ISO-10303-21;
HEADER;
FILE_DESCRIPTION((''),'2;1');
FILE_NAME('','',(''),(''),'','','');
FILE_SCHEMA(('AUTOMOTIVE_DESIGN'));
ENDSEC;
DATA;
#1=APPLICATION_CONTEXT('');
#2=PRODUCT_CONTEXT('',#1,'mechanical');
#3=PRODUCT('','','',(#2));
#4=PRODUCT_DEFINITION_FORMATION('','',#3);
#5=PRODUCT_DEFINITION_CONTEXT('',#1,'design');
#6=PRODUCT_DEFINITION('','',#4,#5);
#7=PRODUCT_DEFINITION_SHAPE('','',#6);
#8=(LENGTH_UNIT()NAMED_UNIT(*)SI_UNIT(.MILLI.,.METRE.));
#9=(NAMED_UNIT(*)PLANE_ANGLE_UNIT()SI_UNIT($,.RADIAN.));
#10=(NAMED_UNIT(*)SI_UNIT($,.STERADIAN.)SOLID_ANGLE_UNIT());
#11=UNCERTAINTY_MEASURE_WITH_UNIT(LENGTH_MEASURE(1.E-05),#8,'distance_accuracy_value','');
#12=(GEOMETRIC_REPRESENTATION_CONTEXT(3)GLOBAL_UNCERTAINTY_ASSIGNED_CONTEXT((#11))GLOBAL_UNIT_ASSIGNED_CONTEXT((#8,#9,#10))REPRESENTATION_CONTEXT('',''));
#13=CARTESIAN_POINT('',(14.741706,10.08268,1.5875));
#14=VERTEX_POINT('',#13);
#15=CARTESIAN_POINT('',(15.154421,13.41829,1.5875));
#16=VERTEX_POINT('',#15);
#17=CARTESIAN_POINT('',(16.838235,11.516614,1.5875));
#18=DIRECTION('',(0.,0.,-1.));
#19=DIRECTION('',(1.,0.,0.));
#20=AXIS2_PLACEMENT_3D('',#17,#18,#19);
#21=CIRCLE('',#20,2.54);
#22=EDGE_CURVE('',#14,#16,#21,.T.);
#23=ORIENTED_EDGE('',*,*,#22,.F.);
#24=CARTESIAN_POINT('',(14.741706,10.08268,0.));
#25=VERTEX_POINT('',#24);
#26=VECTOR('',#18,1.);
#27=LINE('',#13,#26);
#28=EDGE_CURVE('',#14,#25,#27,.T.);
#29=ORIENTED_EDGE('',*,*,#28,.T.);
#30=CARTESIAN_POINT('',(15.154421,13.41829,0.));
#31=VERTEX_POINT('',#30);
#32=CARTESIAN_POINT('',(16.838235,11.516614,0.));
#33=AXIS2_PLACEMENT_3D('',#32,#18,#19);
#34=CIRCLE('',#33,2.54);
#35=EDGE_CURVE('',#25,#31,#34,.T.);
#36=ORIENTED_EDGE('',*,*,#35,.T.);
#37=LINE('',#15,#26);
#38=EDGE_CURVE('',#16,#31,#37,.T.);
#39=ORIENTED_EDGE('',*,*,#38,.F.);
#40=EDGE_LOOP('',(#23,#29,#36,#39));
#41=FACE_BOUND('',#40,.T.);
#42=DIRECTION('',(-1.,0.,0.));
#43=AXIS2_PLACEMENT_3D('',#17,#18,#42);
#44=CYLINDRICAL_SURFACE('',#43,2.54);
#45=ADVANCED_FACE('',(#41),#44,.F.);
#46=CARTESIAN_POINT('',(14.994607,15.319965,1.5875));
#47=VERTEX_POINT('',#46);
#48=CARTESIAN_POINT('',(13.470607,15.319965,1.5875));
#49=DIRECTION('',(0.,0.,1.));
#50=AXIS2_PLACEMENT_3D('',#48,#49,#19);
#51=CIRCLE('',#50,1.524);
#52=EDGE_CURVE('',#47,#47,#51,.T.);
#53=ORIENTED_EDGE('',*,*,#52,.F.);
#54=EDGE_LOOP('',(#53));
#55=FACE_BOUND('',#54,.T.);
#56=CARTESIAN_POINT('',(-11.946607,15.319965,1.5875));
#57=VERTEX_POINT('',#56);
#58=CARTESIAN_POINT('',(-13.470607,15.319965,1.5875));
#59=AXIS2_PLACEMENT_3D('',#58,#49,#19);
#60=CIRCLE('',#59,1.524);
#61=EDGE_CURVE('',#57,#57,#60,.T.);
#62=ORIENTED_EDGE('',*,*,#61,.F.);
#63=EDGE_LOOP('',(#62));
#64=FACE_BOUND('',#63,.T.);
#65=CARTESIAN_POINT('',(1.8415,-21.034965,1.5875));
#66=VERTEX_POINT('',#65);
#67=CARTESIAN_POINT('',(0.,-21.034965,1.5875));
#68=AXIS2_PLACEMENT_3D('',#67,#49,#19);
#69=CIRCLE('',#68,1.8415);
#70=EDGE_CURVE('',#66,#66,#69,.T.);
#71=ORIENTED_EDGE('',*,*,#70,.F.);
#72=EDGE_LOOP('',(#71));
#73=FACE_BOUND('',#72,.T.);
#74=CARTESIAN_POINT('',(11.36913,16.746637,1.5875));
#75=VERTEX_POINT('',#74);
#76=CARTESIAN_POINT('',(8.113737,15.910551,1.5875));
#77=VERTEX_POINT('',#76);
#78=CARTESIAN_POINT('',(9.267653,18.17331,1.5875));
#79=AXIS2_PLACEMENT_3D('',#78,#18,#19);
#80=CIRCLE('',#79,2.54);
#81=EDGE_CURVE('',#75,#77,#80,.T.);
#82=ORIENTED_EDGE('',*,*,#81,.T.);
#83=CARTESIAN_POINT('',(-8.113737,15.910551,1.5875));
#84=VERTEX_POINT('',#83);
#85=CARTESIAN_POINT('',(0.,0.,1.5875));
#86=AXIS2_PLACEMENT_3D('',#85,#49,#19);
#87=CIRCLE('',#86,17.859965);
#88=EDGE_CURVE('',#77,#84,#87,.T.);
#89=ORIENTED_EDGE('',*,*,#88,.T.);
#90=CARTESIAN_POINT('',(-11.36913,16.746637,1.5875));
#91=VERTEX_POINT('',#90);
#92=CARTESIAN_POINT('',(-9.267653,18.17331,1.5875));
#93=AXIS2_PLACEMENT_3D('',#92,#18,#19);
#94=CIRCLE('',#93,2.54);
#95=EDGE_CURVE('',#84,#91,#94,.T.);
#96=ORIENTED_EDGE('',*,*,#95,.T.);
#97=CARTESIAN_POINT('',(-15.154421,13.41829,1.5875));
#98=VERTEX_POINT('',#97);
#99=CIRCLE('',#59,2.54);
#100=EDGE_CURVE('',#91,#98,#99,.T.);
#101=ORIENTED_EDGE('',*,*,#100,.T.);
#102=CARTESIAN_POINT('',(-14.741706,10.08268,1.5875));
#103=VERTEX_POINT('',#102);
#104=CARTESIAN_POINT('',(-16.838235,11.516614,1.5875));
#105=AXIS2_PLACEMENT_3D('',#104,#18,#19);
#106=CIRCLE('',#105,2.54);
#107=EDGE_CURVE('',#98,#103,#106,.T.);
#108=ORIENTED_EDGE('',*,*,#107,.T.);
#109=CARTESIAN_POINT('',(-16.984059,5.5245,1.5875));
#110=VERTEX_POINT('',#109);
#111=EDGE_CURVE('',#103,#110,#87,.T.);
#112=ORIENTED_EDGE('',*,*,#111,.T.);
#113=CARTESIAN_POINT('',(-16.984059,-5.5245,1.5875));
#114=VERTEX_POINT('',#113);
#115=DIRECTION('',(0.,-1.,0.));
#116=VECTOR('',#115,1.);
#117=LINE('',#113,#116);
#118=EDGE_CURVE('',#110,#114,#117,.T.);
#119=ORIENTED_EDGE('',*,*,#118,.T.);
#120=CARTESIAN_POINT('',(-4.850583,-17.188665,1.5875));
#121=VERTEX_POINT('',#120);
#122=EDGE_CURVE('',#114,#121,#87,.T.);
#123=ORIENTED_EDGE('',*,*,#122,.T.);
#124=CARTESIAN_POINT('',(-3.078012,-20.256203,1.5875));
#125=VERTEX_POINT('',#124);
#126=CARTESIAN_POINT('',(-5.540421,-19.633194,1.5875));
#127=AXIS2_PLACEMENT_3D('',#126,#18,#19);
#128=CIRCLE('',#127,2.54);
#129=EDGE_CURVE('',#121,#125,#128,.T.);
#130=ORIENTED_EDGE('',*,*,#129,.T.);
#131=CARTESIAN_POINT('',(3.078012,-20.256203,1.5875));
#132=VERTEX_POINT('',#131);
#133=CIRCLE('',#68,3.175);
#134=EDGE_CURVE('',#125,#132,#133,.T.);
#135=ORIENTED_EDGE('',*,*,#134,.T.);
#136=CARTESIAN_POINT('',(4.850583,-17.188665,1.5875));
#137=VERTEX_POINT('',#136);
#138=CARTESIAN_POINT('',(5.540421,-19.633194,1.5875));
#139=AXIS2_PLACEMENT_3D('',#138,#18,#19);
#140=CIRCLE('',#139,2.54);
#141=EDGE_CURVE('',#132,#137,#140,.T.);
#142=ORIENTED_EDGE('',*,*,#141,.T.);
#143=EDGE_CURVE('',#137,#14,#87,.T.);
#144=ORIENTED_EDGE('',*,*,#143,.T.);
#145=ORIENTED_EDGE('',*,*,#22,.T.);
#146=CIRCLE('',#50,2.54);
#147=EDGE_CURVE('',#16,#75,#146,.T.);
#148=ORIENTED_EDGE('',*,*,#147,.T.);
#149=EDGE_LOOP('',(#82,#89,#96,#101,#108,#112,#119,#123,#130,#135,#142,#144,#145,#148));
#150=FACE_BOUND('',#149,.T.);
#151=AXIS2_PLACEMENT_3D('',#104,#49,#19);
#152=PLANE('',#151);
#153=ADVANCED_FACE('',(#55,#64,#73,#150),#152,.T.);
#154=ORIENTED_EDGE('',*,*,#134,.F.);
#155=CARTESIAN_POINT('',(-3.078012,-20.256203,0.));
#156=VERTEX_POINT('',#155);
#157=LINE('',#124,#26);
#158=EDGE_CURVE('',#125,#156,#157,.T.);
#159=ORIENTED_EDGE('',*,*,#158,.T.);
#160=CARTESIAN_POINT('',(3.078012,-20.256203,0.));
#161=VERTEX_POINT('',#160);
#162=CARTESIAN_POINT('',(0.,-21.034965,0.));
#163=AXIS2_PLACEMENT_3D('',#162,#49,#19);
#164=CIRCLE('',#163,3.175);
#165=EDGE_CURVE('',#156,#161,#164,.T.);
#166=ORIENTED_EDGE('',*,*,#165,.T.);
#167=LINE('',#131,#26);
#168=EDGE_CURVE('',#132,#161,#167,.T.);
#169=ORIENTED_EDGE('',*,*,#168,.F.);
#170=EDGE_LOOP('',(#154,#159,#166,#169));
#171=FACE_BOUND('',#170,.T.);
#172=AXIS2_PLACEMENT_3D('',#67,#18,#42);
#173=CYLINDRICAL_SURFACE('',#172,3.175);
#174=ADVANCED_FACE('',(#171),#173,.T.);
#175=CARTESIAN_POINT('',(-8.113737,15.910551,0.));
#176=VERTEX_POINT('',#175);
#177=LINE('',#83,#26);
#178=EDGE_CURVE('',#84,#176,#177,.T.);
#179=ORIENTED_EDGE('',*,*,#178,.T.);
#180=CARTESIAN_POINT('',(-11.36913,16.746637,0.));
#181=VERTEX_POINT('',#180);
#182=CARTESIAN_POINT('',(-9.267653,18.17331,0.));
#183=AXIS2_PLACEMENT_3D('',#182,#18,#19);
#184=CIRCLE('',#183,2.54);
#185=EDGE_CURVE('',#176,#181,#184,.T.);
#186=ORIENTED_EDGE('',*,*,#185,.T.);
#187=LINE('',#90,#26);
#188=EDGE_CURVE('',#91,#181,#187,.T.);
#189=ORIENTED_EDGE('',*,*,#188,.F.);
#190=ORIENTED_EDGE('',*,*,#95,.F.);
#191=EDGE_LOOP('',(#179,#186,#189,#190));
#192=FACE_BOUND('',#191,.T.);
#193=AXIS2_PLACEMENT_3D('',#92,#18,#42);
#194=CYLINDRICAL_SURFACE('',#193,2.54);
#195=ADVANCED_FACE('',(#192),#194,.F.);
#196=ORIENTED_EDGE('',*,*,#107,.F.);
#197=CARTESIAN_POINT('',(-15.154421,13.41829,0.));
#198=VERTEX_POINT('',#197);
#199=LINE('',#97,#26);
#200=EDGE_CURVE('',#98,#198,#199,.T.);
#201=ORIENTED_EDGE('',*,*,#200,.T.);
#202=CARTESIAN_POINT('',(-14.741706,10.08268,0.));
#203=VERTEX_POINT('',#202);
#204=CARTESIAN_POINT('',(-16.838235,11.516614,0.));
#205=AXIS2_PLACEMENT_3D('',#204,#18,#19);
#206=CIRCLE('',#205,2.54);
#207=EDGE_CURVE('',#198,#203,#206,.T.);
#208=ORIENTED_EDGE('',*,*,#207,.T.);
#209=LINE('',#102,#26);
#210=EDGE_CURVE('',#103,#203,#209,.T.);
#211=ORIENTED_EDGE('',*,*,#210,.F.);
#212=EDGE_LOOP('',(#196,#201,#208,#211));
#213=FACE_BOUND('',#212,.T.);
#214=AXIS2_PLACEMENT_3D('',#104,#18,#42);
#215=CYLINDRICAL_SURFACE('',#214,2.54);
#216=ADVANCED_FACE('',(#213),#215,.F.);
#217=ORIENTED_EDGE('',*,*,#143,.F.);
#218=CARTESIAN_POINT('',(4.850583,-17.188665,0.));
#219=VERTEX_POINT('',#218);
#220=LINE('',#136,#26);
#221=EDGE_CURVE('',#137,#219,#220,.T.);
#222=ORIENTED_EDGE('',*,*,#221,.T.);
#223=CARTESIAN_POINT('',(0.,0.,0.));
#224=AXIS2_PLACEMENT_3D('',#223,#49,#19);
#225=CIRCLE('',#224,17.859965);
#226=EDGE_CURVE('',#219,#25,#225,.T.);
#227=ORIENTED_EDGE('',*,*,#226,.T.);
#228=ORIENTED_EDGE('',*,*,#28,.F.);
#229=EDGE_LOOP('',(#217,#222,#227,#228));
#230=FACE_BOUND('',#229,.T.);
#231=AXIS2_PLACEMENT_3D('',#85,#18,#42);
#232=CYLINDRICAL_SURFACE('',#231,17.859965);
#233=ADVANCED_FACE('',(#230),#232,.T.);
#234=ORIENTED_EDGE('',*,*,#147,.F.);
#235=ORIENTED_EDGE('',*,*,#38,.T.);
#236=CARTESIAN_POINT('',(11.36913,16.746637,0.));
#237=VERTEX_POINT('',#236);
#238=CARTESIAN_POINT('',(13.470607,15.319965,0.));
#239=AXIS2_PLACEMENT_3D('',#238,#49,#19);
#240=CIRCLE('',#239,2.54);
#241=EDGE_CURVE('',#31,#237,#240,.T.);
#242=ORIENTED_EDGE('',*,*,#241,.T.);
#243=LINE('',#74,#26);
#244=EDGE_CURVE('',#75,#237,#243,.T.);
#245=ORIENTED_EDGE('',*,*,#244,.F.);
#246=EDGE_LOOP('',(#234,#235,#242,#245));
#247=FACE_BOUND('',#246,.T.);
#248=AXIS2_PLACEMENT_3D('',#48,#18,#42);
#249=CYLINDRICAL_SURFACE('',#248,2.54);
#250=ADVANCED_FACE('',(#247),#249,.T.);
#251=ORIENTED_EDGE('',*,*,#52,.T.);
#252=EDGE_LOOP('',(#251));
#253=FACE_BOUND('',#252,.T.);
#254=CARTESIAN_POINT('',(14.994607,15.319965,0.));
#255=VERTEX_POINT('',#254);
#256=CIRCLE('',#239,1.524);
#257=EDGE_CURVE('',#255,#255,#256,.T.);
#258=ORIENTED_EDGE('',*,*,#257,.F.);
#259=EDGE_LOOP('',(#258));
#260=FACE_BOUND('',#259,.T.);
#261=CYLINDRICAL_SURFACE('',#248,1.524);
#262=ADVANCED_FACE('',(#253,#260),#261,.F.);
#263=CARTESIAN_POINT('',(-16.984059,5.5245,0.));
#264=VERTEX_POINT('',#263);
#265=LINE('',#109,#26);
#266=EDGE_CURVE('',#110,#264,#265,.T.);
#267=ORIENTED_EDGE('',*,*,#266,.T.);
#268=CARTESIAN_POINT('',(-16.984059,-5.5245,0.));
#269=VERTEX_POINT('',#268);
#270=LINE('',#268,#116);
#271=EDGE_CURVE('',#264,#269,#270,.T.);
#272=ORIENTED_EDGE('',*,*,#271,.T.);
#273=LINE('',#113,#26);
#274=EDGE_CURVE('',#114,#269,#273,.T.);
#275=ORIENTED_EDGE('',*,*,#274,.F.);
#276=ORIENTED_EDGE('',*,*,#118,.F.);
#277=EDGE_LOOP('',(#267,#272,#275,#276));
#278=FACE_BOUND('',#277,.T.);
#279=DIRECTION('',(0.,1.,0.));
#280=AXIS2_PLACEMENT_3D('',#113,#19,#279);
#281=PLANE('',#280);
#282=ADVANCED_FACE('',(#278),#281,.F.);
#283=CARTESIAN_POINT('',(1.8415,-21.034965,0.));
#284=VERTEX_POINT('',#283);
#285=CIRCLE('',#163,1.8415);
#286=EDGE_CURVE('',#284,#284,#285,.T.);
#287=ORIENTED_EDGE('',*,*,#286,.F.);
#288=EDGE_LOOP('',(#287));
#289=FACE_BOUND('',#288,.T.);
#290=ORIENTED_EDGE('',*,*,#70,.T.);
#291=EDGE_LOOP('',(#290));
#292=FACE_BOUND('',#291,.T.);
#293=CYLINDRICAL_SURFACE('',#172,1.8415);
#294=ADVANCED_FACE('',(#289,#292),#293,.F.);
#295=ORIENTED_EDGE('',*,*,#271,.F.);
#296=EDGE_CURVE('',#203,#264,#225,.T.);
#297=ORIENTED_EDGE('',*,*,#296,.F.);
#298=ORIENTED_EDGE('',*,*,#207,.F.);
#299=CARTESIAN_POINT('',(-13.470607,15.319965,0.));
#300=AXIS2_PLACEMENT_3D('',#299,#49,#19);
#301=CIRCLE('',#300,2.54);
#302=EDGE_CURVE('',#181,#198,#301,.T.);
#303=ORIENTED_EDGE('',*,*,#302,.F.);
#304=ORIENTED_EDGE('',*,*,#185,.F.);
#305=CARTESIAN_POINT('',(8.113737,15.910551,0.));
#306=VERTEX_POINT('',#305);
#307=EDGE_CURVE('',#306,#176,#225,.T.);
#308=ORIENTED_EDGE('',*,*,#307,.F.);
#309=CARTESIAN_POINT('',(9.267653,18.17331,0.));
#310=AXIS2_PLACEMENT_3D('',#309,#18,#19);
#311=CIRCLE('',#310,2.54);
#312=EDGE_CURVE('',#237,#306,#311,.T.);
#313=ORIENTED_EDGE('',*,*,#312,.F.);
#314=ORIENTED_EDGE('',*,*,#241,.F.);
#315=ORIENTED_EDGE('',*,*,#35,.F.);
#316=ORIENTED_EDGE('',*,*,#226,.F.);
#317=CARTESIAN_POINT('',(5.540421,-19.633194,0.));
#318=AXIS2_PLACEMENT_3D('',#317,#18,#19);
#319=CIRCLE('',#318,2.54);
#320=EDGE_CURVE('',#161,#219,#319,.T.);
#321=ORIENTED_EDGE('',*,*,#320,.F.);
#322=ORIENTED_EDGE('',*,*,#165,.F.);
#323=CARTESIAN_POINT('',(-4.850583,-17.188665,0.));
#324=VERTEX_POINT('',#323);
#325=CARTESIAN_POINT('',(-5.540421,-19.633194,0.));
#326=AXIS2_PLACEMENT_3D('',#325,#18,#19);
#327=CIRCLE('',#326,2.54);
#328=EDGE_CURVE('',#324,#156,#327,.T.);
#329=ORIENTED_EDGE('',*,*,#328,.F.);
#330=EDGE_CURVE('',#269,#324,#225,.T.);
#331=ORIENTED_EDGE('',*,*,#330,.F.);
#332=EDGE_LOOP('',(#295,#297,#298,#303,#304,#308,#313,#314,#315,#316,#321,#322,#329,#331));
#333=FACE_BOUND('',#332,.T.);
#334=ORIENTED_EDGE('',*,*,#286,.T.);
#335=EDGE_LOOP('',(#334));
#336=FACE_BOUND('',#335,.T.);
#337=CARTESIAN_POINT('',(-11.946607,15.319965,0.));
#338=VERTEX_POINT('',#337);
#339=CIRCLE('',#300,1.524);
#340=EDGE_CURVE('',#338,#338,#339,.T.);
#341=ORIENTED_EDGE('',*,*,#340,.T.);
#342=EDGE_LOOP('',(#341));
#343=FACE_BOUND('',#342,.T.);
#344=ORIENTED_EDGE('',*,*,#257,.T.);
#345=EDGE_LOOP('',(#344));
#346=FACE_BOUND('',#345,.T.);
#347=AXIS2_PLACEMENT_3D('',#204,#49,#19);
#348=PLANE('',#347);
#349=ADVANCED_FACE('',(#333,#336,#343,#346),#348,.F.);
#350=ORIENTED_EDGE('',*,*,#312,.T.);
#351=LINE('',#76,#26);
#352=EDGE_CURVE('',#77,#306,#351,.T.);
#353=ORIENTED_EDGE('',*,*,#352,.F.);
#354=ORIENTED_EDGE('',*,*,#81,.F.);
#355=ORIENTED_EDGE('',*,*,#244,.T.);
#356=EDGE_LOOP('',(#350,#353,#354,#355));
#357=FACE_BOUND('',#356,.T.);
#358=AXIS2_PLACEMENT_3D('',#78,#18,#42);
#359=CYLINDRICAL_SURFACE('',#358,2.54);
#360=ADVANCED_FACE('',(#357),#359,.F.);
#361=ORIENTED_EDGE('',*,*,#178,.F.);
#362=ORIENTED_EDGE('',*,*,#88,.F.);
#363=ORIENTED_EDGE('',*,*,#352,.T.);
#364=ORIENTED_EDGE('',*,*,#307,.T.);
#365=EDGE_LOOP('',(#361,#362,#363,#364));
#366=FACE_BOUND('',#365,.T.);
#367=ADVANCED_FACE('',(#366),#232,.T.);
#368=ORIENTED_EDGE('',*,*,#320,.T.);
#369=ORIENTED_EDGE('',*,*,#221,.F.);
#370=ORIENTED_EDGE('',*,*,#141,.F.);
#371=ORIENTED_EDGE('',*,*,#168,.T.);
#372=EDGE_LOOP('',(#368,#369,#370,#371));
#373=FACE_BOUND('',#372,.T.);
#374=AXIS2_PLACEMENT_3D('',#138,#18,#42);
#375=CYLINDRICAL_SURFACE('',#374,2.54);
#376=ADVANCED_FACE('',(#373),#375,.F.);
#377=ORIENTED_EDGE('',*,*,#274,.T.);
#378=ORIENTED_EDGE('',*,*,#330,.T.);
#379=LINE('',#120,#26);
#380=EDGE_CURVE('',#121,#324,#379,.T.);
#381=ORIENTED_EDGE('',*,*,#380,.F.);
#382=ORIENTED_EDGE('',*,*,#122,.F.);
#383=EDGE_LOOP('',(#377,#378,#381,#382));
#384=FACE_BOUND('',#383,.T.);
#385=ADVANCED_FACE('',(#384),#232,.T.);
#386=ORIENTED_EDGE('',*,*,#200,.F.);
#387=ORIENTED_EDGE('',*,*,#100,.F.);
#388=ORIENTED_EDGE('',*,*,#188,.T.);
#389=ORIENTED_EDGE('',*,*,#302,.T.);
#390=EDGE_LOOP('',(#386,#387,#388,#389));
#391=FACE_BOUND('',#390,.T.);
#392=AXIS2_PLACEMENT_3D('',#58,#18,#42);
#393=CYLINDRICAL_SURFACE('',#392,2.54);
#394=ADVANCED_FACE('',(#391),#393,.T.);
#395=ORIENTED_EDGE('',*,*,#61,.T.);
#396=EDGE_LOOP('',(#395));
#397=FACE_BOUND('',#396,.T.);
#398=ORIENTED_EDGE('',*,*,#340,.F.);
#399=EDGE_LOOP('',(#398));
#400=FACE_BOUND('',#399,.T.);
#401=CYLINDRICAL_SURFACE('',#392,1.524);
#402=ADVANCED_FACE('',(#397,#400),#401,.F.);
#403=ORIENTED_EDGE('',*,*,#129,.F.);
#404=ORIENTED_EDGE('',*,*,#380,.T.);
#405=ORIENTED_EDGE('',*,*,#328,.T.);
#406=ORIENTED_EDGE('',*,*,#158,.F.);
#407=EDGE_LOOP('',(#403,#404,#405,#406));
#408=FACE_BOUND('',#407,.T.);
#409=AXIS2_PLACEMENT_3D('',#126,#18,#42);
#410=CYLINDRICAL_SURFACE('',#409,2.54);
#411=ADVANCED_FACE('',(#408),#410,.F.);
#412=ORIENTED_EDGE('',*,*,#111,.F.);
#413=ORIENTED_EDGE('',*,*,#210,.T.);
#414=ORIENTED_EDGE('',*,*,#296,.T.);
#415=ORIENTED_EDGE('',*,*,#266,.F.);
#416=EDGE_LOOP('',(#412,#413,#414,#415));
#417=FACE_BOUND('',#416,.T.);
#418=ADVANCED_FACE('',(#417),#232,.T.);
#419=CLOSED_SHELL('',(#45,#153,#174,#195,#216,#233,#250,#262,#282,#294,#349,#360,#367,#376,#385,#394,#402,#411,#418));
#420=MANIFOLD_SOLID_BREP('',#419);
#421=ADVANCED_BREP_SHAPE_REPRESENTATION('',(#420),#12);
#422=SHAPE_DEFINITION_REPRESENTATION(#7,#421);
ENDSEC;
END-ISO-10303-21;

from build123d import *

# Parameters (mm, degrees)
SKETCH1_R           = 1.8415
SKETCH1_R_2         = 1.524
BOSS_EXTRUDE1_DEPTH = 1.5875


with BuildPart() as part:
    # Sketch1 → Boss-Extrude1 (new body)
    with BuildSketch(Plane.XY):
        with BuildLine():
            Line((-16.984058744, -5.5245), (-16.984058744, 5.5245))
            ThreePointArc((-16.984058744, 5.5245), (-16.025769731, 7.883720963), (-14.741706386, 10.082680423))
            ThreePointArc((-14.741706386, 10.082680423), (-14.317457481, 11.828509895), (-15.154421031, 13.418289658))
            ThreePointArc((-15.154421031, 13.418289658), (-15.147832175, 17.227454165), (-11.369129629, 16.746637442))
            ThreePointArc((-11.369129629, 16.746637442), (-9.89949783, 15.713153019), (-8.113736976, 15.910550712))
            ThreePointArc((-8.113736976, 15.910550712), (0, 17.859965052), (8.113736976, 15.910550712))
            ThreePointArc((8.113736976, 15.910550712), (9.89949783, 15.713153019), (11.369129629, 16.746637442))
            ThreePointArc((11.369129629, 16.746637442), (15.147832175, 17.227454165), (15.154421031, 13.418289658))
            ThreePointArc((15.154421031, 13.418289658), (14.317457481, 11.828509895), (14.741706386, 10.082680423))
            ThreePointArc((14.741706386, 10.082680423), (16.789759308, -6.089526588), (4.850582957, -17.188664772))
            ThreePointArc((4.850582957, -17.188664772), (3.34119056, -18.362373067), (3.078011585, -20.256203417))
            ThreePointArc((3.078011585, -20.256203417), (0, -24.209965052), (-3.078011585, -20.256203417))
            ThreePointArc((-3.078011585, -20.256203417), (-3.34119056, -18.362373067), (-4.850582957, -17.188664772))
            ThreePointArc((-4.850582957, -17.188664772), (-12.377442365, -12.875452309), (-16.984058744, -5.5245))
        make_face()
        with Locations((0, -21.034965052)):
            Circle(SKETCH1_R, mode=Mode.SUBTRACT)
        with Locations((-13.470606702, 15.319965052)):
            Circle(SKETCH1_R_2, mode=Mode.SUBTRACT)
        with Locations((13.470606702, 15.319965052)):
            Circle(SKETCH1_R_2, mode=Mode.SUBTRACT)
    extrude(amount=BOSS_EXTRUDE1_DEPTH)


solid = part.part
